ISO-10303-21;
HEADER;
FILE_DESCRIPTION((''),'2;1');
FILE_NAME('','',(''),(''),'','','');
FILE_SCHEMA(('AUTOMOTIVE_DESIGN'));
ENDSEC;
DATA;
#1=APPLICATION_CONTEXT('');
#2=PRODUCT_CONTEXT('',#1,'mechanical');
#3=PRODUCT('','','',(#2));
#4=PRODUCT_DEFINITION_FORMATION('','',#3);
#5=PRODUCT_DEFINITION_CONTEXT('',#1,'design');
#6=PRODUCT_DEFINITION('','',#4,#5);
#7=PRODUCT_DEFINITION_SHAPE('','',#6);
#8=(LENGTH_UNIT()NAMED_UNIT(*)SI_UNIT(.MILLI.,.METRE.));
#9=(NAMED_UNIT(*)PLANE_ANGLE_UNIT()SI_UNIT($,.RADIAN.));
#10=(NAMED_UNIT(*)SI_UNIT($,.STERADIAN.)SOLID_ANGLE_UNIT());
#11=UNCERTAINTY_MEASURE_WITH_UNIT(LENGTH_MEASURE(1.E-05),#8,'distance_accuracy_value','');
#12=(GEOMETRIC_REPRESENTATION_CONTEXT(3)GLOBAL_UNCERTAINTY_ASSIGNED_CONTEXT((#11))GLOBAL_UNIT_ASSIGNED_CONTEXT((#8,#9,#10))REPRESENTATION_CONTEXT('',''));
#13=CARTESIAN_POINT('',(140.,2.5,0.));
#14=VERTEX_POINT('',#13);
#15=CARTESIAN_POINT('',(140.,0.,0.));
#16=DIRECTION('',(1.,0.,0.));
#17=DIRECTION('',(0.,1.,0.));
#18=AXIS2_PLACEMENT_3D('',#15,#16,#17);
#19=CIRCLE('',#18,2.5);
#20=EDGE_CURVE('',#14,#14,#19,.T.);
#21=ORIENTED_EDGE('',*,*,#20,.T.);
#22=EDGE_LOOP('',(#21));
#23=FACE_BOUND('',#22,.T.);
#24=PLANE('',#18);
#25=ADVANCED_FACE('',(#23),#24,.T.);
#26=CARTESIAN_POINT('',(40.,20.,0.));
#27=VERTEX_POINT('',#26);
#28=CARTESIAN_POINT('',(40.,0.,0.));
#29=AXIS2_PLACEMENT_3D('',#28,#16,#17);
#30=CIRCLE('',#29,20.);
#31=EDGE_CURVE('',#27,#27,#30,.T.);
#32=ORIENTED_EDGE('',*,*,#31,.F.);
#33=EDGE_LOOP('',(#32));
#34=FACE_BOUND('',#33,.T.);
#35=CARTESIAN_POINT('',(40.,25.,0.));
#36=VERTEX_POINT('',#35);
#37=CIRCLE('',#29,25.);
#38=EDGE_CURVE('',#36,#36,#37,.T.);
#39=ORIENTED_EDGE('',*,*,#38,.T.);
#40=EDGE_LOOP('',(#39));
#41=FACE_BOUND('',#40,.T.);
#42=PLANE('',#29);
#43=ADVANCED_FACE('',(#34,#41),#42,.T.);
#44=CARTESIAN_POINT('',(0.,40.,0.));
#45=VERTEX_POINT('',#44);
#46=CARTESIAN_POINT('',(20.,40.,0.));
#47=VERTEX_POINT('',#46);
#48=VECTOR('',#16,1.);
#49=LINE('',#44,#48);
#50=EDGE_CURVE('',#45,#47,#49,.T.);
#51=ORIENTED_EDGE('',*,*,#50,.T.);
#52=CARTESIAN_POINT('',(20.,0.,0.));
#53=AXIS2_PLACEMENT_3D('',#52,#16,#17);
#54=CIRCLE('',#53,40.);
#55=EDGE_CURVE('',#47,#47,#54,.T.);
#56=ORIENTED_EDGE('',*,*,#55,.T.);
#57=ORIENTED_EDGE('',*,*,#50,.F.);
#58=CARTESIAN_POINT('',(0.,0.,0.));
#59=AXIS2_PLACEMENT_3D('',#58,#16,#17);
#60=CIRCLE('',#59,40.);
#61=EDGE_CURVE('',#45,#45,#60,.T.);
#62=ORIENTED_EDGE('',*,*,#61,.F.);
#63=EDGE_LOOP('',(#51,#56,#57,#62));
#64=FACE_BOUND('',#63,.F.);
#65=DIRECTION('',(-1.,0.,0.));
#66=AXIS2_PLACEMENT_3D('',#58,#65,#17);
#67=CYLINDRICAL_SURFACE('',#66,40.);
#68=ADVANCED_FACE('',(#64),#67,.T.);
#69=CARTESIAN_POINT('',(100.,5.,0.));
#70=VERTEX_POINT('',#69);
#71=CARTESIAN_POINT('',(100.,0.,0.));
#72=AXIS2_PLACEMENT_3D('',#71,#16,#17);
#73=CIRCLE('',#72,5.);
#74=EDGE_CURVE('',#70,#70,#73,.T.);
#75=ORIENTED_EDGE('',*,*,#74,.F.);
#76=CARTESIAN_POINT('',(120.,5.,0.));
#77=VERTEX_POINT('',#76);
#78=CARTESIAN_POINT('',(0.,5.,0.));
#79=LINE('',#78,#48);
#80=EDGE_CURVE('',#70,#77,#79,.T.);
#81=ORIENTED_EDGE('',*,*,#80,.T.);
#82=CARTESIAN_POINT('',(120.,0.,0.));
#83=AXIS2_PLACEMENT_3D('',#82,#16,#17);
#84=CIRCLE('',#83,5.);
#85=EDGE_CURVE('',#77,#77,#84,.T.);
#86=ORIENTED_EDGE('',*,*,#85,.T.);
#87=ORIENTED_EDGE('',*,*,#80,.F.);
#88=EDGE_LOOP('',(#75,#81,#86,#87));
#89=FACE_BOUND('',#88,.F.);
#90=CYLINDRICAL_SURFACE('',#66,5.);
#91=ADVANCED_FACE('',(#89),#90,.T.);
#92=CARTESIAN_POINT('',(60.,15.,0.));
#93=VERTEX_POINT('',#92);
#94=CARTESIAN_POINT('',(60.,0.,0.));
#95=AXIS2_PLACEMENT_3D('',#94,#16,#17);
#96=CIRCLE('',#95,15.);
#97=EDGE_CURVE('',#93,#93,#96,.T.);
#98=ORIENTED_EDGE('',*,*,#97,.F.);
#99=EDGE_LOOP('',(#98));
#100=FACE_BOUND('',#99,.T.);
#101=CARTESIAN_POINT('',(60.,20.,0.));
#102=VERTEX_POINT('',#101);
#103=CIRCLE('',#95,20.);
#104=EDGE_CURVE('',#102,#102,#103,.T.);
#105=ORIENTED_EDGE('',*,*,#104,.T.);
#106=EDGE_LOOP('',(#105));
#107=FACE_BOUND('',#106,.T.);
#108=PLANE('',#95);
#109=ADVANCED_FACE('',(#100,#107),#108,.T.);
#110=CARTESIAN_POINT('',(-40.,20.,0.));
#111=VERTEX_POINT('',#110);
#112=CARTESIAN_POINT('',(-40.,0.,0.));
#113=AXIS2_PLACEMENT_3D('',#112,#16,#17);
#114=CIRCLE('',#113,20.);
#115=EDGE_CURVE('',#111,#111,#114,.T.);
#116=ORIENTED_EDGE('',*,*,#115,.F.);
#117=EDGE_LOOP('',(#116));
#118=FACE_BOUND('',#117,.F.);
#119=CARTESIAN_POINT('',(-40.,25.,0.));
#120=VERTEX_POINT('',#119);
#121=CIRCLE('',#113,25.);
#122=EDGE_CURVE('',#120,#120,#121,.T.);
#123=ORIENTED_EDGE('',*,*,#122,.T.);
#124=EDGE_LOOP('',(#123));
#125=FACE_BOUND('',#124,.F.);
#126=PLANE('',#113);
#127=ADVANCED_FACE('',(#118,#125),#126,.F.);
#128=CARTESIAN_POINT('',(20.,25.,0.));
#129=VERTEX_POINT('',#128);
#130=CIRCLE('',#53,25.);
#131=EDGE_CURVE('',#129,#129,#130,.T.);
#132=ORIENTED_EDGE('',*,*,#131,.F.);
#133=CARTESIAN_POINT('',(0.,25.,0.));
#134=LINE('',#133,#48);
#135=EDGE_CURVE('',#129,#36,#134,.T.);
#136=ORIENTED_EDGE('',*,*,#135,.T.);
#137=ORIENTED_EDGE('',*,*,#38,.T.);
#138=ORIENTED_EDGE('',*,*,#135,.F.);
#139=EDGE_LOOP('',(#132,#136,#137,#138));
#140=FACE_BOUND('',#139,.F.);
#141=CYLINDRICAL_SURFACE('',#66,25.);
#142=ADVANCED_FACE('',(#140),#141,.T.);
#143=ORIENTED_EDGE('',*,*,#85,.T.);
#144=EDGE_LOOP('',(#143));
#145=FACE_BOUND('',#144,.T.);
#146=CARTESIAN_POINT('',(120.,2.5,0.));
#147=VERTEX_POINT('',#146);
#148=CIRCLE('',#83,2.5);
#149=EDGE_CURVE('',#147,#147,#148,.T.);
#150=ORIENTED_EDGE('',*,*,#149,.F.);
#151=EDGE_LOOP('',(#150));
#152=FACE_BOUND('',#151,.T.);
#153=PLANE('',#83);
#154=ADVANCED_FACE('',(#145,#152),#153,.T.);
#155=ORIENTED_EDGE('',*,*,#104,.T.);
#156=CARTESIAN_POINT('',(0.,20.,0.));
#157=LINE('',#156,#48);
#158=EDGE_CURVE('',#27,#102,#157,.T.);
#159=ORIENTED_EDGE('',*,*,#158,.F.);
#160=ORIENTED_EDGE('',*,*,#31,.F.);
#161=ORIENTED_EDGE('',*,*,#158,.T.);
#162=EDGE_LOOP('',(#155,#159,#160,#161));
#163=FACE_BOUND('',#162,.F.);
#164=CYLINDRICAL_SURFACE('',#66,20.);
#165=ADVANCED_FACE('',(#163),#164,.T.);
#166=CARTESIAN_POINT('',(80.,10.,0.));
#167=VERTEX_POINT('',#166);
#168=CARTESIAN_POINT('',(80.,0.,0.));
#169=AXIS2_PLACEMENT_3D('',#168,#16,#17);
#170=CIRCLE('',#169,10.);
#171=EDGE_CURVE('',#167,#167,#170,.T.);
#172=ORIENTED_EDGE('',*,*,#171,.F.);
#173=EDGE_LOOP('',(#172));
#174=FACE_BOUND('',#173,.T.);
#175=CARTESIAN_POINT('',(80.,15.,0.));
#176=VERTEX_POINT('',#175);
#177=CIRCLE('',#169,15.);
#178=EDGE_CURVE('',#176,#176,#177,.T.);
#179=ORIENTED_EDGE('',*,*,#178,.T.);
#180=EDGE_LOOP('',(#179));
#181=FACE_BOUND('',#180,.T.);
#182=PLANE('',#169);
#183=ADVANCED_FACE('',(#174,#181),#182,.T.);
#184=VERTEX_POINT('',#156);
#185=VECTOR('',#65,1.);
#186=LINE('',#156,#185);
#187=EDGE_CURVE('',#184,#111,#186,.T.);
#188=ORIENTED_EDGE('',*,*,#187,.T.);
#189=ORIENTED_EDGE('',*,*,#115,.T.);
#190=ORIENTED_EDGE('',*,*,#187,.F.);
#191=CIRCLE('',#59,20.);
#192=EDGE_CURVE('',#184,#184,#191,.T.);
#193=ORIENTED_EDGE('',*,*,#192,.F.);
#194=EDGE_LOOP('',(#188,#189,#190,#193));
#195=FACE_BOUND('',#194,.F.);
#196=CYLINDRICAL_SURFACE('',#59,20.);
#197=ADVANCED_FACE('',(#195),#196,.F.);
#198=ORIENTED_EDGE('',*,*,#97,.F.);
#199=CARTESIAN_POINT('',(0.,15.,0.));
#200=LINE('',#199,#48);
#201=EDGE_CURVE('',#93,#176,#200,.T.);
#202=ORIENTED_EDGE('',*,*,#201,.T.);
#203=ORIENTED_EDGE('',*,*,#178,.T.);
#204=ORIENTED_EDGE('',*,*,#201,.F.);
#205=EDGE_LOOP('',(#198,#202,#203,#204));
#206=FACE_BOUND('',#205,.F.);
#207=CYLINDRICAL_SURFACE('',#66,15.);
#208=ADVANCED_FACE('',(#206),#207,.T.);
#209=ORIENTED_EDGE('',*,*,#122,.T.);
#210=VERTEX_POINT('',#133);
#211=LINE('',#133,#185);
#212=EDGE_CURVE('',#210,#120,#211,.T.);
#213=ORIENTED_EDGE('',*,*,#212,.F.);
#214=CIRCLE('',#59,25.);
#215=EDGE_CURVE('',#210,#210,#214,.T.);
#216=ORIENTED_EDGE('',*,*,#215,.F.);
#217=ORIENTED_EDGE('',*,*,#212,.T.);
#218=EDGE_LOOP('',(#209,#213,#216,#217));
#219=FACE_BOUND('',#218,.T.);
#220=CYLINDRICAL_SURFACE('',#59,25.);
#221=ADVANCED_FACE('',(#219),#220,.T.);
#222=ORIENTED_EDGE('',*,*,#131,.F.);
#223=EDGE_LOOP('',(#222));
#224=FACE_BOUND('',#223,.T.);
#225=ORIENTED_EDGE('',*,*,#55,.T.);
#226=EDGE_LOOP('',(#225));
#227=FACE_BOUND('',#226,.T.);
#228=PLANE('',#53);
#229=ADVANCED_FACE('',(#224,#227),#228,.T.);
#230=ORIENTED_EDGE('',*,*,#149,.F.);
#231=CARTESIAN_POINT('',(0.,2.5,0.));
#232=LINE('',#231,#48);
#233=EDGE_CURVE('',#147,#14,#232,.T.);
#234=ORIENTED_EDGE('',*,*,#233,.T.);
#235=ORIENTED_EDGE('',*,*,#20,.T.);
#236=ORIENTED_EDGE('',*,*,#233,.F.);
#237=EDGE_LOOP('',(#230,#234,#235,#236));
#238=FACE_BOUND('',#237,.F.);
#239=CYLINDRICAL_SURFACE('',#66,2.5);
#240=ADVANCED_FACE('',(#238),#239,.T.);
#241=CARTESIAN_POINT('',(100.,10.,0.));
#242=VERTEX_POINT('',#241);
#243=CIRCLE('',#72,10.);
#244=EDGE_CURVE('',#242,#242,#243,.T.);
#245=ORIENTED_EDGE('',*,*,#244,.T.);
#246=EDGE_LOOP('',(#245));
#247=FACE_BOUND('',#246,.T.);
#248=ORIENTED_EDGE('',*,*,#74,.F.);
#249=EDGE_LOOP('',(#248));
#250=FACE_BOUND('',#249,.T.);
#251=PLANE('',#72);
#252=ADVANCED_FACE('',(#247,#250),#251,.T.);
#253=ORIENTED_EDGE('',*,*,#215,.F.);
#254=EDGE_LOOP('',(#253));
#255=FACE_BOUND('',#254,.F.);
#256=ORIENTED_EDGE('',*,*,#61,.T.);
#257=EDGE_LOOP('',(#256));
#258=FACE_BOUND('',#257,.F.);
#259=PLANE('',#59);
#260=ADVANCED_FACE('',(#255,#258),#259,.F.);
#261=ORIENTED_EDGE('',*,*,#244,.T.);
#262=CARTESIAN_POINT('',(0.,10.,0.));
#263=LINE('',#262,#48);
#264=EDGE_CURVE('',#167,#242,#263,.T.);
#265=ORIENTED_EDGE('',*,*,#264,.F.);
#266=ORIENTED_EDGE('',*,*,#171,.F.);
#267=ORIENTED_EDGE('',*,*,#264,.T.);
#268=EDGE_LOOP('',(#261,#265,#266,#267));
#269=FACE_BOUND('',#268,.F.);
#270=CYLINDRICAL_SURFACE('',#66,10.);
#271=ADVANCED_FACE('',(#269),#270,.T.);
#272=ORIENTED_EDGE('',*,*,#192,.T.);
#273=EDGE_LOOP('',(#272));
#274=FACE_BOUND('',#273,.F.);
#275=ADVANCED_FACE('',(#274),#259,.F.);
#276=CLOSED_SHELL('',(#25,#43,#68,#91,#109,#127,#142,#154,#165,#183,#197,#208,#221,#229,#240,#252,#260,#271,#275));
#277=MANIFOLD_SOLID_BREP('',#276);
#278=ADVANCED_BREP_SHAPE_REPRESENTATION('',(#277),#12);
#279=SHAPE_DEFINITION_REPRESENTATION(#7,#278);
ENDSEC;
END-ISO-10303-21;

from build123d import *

# Parameters (mm, degrees)
F0_R     = 2.5
F1_DEPTH = 140
F0_R_2   = 5
F2_DEPTH = 120
F0_R_3   = 10
F3_DEPTH = 100
F0_R_4   = 15
F4_DEPTH = 80
F0_R_5   = 20
F5_DEPTH = 60
F0_R_6   = 25
F6_DEPTH = 40
F0_R_7   = 40
F7_DEPTH = 20
F8_DEPTH = 40


with BuildPart() as f1:
    # F0 (on Right) → F1 (new body)
    with BuildSketch(Plane.YZ):
        Circle(F0_R)
    extrude(amount=F1_DEPTH)

    # F0 (on Right) → F2 (join)
    with BuildSketch(Plane.YZ):
        Circle(F0_R_2)
        Circle(F0_R, mode=Mode.SUBTRACT)
    extrude(amount=F2_DEPTH)

    # F0 (on Right) → F3 (join)
    with BuildSketch(Plane.YZ):
        Circle(F0_R_3)
        Circle(F0_R_2, mode=Mode.SUBTRACT)
    extrude(amount=F3_DEPTH)

    # F0 (on Right) → F4 (join)
    with BuildSketch(Plane.YZ):
        Circle(F0_R_4)
        Circle(F0_R_3, mode=Mode.SUBTRACT)
    extrude(amount=F4_DEPTH)

    # F0 (on Right) → F5 (join)
    with BuildSketch(Plane.YZ):
        Circle(F0_R_5)
        Circle(F0_R_4, mode=Mode.SUBTRACT)
    extrude(amount=F5_DEPTH)

    # F0 (on Right) → F6 (join)
    with BuildSketch(Plane.YZ):
        Circle(F0_R_6)
        Circle(F0_R_5, mode=Mode.SUBTRACT)
    extrude(amount=F6_DEPTH)

    # F0 (on Right) → F7 (join)
    with BuildSketch(Plane.YZ):
        Circle(F0_R_7)
        Circle(F0_R_6, mode=Mode.SUBTRACT)
    extrude(amount=F7_DEPTH)

    # F0 (on Right) → F8 (join)
    with BuildSketch(Plane.YZ):
        Circle(F0_R_6)
        Circle(F0_R_5, mode=Mode.SUBTRACT)
    extrude(amount=-F8_DEPTH)


solid = f1.part
